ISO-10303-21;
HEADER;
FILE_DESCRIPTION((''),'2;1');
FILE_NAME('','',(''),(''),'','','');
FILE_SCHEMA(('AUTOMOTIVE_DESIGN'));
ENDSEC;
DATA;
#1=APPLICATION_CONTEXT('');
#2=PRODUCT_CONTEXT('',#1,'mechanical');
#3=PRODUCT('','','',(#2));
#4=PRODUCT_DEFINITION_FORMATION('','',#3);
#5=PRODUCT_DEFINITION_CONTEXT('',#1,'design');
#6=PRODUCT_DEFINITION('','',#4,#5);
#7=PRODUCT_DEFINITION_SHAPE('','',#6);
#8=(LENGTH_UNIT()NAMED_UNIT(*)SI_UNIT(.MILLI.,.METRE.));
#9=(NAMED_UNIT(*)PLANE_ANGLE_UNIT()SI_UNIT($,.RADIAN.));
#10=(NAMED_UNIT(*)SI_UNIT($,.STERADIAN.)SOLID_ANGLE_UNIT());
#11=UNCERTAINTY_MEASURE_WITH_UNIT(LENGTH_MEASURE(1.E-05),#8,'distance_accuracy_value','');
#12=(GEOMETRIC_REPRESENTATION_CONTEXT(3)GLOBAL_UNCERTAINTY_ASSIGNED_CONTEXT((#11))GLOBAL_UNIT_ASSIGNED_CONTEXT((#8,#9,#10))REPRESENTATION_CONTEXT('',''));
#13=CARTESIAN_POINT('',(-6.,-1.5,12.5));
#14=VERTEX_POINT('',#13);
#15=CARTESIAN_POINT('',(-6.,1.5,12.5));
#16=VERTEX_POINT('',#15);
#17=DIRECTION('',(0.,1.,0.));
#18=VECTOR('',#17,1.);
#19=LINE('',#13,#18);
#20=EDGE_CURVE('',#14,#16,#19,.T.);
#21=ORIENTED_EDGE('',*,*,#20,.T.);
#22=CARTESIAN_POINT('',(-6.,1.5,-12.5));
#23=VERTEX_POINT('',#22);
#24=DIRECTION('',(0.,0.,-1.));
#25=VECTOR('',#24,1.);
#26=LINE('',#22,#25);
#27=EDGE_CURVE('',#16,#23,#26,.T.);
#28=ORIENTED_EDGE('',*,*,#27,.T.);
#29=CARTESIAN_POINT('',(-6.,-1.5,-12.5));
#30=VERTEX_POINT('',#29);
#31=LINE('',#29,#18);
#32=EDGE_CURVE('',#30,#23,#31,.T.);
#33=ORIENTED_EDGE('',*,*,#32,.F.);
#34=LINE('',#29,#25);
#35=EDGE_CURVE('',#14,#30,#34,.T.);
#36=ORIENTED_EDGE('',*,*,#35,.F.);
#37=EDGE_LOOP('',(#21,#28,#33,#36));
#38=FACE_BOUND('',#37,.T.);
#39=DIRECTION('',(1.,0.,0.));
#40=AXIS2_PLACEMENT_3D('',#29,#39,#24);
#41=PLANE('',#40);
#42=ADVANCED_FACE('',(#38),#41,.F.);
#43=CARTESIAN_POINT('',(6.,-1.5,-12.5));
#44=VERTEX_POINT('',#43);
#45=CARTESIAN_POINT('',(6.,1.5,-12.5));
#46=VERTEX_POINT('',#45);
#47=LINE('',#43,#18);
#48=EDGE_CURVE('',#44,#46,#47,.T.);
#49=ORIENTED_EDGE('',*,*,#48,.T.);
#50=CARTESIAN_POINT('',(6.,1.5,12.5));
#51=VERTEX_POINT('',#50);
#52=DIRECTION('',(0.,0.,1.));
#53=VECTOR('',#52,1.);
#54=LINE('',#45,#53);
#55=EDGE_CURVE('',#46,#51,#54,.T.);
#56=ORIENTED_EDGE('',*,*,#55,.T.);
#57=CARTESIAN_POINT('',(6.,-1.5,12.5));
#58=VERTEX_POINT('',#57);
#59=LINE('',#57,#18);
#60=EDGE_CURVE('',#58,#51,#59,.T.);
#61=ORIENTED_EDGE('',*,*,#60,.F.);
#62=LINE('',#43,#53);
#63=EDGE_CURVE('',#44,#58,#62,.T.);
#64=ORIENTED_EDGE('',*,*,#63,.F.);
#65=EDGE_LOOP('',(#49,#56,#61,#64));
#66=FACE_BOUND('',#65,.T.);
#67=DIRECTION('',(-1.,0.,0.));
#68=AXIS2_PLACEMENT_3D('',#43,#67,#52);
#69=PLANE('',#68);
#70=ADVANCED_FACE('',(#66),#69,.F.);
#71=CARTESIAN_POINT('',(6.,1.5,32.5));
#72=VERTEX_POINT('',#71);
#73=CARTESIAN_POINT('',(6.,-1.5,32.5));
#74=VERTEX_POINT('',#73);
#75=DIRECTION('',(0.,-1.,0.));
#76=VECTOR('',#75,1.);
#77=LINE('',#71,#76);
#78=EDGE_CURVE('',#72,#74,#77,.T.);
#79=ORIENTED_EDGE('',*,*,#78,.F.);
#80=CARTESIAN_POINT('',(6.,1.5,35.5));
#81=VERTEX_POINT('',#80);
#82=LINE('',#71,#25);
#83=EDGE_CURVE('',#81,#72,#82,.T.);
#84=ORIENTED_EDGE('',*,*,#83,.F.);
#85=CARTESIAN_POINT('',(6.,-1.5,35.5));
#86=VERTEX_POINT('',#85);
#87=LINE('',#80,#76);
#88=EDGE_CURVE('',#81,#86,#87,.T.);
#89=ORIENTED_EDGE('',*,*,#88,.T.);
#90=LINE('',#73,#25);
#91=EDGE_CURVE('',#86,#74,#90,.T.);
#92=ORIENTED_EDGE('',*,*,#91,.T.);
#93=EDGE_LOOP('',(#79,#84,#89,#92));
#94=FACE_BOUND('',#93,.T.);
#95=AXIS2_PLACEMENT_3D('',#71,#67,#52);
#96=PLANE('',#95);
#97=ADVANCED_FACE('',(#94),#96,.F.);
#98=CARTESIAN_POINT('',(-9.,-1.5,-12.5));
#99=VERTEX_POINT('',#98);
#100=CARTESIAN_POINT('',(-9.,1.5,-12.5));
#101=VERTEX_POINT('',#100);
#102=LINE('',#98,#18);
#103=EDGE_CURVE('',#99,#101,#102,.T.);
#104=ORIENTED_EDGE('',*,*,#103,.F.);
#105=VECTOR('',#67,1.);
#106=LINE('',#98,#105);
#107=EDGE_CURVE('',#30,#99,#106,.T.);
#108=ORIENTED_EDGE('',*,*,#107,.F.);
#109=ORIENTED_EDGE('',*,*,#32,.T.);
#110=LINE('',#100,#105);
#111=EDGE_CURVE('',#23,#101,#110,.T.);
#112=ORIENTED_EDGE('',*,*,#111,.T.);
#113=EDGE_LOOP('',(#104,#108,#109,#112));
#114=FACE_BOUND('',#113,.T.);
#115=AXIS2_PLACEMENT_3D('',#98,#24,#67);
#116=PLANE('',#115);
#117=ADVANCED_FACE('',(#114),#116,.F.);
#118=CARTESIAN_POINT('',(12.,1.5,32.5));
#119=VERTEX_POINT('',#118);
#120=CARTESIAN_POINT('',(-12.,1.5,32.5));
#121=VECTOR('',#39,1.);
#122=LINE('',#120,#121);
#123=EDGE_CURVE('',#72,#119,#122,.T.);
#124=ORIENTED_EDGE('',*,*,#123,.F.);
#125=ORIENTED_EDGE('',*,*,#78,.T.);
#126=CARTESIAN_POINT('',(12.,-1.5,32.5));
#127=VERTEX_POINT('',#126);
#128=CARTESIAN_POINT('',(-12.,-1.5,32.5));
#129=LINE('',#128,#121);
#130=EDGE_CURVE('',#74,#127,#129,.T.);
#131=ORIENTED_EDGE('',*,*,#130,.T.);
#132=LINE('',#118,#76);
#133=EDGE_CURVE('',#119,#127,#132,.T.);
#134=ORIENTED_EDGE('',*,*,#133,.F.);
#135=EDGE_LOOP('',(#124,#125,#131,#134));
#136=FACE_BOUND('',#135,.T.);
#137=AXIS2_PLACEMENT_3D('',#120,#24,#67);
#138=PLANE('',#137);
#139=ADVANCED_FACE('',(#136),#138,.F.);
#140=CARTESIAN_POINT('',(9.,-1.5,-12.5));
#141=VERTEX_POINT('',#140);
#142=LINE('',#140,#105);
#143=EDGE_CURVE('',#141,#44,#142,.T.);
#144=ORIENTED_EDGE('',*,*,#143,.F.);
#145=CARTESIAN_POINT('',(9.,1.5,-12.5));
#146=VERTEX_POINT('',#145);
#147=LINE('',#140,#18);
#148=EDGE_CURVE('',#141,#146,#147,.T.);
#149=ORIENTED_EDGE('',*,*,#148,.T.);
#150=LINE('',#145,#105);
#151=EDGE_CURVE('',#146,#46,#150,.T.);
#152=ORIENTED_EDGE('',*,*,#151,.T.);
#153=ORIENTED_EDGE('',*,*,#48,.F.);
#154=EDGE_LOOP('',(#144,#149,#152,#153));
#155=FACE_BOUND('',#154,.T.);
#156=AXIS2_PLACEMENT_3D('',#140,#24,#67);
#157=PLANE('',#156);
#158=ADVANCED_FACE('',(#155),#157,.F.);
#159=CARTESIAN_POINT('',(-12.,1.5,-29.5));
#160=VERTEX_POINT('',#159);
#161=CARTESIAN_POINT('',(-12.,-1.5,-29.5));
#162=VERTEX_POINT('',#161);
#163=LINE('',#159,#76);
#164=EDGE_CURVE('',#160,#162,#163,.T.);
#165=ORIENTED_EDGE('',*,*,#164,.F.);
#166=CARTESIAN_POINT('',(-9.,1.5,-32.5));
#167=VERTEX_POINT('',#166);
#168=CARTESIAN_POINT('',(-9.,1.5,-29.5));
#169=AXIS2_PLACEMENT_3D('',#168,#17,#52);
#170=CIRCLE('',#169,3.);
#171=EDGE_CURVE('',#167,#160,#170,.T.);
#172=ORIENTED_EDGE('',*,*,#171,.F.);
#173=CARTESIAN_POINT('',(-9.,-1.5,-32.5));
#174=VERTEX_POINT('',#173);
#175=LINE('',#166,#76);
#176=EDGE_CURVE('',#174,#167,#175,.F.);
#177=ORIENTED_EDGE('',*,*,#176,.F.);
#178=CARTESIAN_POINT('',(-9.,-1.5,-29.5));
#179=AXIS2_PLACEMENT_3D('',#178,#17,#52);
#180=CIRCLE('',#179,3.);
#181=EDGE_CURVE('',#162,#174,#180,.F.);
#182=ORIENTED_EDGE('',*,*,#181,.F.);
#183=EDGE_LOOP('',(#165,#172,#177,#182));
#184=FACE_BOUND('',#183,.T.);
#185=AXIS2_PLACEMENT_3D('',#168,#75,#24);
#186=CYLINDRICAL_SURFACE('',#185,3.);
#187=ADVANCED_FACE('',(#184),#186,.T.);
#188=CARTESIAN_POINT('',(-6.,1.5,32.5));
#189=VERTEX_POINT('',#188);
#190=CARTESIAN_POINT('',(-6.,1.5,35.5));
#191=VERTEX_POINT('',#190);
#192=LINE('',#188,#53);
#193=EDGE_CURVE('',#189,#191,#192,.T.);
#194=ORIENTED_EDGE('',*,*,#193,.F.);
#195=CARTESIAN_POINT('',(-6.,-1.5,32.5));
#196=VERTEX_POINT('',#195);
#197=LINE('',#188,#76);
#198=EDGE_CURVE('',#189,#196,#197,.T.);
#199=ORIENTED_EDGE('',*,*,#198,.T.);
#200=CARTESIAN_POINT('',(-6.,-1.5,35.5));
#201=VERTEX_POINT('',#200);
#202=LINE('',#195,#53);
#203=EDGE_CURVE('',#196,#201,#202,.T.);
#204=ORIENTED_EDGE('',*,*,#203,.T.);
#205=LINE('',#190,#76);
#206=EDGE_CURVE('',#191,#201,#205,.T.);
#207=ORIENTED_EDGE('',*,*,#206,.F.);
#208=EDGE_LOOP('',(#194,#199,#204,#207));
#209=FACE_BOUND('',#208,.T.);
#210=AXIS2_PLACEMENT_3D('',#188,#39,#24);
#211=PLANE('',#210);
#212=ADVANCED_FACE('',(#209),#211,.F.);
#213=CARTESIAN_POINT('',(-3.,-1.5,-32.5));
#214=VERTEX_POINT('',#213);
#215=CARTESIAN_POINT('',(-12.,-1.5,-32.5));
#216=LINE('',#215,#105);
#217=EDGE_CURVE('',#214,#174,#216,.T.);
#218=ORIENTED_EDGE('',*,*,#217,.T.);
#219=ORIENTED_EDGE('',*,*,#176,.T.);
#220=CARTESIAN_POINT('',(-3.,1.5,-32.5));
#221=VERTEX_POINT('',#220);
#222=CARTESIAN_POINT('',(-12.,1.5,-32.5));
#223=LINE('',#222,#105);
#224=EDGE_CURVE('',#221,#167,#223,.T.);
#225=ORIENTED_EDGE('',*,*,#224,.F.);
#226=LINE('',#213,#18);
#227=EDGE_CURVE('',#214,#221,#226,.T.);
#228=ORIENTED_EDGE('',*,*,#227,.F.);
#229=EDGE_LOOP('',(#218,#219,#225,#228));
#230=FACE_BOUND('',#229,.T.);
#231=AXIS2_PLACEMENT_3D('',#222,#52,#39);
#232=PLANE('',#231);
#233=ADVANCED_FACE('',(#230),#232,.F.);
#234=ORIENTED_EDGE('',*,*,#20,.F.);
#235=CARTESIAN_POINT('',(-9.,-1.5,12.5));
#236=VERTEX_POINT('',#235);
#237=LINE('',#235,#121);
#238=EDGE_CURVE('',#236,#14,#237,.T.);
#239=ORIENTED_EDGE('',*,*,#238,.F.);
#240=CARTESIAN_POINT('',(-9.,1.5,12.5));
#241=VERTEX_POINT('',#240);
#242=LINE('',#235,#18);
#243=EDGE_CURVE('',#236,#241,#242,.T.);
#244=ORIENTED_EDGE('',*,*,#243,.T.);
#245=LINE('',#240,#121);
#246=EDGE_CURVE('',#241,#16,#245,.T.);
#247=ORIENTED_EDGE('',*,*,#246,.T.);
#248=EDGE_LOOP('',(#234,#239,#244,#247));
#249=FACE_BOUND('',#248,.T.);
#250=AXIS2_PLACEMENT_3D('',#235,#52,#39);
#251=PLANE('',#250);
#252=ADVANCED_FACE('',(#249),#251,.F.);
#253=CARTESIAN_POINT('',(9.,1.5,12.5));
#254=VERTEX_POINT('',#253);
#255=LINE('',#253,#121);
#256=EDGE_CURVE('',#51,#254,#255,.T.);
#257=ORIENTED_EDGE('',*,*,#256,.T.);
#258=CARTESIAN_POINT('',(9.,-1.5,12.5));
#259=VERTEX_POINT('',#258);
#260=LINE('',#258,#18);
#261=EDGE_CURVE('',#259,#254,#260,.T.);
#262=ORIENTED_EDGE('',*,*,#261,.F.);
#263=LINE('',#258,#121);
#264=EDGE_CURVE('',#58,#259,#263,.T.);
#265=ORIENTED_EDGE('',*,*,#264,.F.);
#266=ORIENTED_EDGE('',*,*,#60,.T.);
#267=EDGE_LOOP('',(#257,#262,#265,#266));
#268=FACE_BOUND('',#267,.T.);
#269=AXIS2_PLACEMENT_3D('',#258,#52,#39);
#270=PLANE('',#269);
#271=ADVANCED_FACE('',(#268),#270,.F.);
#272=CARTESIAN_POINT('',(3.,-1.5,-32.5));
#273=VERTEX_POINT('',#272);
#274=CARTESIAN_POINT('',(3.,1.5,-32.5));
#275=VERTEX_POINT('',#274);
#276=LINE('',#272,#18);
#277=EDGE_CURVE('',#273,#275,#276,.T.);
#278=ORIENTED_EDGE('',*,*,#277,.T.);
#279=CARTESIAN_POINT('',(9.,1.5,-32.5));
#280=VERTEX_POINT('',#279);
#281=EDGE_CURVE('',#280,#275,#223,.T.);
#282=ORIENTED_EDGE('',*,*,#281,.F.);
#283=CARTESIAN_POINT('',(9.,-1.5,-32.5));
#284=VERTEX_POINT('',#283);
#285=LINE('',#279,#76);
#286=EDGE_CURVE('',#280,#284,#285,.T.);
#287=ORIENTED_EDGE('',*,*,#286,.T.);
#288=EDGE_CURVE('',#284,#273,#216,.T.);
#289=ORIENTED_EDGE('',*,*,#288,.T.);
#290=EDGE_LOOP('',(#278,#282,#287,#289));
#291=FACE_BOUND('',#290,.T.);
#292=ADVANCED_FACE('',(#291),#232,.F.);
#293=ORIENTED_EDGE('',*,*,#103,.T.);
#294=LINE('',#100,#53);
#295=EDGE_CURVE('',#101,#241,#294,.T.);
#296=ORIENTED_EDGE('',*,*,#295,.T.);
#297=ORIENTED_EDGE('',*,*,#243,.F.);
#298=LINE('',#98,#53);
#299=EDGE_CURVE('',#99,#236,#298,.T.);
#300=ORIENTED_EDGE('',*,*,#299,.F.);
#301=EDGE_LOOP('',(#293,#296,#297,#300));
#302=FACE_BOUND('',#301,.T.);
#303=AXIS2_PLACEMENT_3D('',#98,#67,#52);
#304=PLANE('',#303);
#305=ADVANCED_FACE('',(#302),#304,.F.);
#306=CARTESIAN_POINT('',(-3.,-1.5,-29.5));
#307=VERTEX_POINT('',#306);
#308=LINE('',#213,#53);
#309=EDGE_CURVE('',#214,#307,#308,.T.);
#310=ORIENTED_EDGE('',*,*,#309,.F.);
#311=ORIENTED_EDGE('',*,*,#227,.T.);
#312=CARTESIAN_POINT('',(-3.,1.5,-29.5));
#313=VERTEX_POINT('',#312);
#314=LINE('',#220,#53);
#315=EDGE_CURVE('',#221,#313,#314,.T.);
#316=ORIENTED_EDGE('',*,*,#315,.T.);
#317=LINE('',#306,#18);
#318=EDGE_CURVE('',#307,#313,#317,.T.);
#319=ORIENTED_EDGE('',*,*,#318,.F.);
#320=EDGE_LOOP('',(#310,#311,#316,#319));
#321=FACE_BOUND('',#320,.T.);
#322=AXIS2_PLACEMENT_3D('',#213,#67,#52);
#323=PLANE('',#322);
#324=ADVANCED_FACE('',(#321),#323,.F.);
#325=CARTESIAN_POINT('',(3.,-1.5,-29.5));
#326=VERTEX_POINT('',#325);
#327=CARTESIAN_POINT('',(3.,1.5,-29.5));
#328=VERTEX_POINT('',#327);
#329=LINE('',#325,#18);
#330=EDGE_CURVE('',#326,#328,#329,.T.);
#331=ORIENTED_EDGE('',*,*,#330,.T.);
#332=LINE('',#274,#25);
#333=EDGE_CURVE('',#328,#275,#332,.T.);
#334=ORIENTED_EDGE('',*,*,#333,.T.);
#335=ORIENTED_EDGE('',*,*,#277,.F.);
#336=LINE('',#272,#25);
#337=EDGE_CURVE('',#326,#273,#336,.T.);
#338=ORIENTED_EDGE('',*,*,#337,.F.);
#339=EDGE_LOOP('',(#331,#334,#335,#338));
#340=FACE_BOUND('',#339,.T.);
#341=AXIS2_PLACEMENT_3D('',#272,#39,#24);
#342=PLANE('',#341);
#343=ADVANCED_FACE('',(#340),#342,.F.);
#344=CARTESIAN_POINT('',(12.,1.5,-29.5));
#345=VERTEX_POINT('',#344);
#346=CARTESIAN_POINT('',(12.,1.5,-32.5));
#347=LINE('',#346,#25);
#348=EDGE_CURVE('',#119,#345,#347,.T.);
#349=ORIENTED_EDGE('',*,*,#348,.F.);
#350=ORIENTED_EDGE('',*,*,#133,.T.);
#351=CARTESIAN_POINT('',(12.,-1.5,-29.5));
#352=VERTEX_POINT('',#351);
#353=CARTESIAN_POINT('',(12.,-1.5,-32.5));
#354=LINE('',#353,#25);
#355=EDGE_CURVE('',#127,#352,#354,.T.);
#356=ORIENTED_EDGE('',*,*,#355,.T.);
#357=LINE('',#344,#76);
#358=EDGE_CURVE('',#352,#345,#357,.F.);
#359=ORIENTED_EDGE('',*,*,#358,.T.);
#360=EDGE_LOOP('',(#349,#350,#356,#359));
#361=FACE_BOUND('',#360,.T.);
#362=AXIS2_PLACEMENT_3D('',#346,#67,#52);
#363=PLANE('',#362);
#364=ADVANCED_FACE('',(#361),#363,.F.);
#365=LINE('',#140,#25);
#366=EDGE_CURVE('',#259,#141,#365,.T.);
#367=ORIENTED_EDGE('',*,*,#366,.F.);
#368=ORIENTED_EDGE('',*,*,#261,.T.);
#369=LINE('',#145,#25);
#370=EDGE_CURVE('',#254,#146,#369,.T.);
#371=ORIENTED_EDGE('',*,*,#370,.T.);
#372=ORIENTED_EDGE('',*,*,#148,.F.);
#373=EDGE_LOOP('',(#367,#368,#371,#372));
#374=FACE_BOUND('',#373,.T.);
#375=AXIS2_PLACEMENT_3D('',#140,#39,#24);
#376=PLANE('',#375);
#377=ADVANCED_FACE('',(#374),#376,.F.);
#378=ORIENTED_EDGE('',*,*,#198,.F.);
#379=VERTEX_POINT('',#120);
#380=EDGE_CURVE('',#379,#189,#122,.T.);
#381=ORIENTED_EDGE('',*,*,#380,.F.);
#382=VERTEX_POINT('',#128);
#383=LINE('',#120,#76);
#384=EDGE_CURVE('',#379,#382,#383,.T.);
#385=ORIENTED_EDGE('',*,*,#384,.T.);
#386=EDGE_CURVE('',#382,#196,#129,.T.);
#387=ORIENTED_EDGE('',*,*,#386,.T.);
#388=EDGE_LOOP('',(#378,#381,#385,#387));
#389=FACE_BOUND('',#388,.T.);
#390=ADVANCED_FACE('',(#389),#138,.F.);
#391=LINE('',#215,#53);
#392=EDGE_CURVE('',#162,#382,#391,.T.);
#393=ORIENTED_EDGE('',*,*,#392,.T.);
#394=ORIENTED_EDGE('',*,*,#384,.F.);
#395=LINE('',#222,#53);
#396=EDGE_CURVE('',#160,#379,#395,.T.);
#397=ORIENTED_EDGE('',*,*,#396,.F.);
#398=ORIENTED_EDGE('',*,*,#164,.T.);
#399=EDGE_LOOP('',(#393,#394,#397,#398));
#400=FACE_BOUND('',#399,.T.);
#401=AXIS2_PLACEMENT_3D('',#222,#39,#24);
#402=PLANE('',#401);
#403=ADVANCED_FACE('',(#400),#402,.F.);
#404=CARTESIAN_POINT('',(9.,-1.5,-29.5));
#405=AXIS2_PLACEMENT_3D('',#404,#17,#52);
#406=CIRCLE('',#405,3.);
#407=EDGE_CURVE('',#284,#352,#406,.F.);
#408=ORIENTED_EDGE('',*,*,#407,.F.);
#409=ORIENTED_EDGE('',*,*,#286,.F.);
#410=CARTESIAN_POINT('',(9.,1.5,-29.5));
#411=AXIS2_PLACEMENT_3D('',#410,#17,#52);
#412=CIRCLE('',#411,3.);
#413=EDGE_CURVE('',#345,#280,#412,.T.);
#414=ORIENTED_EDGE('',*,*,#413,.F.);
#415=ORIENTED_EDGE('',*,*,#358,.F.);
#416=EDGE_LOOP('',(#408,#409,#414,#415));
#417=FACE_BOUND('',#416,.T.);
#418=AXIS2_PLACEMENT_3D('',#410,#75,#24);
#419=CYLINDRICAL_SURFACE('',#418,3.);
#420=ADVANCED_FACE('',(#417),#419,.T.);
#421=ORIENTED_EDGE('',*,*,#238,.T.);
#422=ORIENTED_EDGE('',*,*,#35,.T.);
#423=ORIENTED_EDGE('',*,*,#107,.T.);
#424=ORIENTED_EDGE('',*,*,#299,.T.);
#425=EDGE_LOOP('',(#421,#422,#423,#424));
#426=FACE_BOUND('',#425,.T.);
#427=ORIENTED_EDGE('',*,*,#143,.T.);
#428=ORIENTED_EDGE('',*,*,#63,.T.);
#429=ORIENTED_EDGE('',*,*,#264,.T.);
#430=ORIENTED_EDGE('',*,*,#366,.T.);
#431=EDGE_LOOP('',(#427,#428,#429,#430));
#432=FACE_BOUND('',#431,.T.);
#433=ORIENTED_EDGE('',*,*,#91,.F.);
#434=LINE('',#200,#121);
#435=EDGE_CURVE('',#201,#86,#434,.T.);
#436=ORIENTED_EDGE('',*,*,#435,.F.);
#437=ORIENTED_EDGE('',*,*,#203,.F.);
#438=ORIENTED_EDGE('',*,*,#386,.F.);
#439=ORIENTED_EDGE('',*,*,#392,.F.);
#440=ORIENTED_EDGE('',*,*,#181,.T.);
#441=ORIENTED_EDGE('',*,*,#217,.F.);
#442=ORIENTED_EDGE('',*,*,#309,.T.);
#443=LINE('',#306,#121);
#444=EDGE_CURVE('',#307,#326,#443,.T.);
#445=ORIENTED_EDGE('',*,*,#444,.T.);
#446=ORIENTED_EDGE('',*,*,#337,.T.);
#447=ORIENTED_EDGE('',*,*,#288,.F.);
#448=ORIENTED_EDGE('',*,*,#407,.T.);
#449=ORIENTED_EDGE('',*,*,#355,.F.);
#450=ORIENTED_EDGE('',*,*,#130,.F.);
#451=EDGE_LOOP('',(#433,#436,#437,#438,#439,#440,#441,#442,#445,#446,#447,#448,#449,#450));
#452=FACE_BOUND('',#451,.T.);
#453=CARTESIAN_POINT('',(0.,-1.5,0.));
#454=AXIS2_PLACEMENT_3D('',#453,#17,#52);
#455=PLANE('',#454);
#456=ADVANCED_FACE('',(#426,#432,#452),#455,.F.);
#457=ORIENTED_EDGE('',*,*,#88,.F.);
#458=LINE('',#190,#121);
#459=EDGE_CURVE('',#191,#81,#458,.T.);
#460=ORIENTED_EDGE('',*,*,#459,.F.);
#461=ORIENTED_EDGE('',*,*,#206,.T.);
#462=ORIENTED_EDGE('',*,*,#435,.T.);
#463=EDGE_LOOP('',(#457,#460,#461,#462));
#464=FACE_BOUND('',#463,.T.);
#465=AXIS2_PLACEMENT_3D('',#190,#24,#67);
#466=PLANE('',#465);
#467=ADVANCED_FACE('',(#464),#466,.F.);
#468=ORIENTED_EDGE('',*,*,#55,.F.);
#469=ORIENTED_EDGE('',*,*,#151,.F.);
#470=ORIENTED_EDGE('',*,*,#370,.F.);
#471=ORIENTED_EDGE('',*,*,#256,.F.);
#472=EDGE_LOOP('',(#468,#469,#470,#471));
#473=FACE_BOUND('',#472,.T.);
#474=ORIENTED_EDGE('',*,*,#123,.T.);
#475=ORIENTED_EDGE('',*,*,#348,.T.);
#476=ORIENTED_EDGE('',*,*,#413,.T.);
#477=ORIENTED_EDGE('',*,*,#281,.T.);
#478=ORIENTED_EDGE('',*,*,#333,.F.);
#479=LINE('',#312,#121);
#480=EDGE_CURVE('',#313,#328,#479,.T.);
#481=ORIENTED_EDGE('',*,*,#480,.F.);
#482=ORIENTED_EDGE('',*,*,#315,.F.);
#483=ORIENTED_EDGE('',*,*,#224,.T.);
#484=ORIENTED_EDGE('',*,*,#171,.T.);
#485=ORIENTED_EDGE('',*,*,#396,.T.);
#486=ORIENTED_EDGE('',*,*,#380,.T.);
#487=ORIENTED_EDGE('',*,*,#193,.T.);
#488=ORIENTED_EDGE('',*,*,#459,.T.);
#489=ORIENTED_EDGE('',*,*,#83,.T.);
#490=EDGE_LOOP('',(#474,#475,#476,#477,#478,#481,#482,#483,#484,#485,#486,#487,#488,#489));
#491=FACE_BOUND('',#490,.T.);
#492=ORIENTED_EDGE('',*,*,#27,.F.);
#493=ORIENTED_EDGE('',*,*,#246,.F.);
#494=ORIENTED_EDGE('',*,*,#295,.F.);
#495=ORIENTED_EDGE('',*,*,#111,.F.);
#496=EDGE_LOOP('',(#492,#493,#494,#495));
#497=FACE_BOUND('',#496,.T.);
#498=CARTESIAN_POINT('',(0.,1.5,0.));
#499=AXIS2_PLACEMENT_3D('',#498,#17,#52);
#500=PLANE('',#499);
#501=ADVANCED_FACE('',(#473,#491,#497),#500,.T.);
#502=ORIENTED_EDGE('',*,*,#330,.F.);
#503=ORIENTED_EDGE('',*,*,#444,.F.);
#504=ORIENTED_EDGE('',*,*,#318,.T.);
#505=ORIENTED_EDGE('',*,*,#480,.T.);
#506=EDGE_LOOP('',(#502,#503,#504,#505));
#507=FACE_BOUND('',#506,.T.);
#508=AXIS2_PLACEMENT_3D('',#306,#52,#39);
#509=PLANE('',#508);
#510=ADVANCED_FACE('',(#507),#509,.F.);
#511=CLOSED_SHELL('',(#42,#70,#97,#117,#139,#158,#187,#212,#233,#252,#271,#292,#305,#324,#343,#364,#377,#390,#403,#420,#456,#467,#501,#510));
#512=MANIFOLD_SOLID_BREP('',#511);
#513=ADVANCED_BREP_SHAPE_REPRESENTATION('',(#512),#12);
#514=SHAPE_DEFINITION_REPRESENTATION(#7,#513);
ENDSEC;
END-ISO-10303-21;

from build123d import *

# Parameters (mm, degrees)
SKETCH1_W               = 24
SKETCH1_H               = 65
BOSS_EXTRUDE1_DEPTH     = 1.5
SKETCH2_W               = 12
SKETCH2_H               = 3
BOSS_EXTRUDE2_DEPTH     = 1.5
SKETCH4_W               = 3
SKETCH4_H               = 25
CUT_EXTRUDE1_DEPTH      = 2.5
CUT_EXTRUDE1_DEPTH_BACK = 2.5
FILLET1_R               = 3
SKETCH5_W               = 6
SKETCH5_H               = 3
CUT_EXTRUDE2_DEPTH      = 2.5
CUT_EXTRUDE2_DEPTH_BACK = 2.5


with BuildPart() as part:
    # Sketch1 → Boss-Extrude1 (new body, symmetric)
    with BuildSketch(Plane(origin=(0, 0, 0), x_dir=(1, 0, 0), z_dir=(0, 1, 0))):
        Rectangle(SKETCH1_W, SKETCH1_H)
    extrude(amount=BOSS_EXTRUDE1_DEPTH, both=True)

    # Sketch2 → Boss-Extrude2 (add, symmetric)
    with BuildSketch(Plane(origin=(0, 0, 0), x_dir=(1, 0, 0), z_dir=(0, 1, 0))):
        with Locations((0, -34)):
            Rectangle(SKETCH2_W, SKETCH2_H)
    extrude(amount=BOSS_EXTRUDE2_DEPTH, both=True)

    # Sketch4 → Cut-Extrude1 (cut, two sides)
    with BuildSketch(Plane(origin=(0, 0, 0), x_dir=(1, 0, 0), z_dir=(0, 1, 0))) as cut_extrude1_sk:
        with Locations((-7.5, 0)):
            Rectangle(SKETCH4_W, SKETCH4_H)
        with Locations((7.5, 0)):
            Rectangle(SKETCH4_W, SKETCH4_H)
    extrude(amount=CUT_EXTRUDE1_DEPTH, mode=Mode.SUBTRACT)
    extrude(cut_extrude1_sk.sketch, amount=-CUT_EXTRUDE1_DEPTH_BACK, mode=Mode.SUBTRACT)

    # Fillet1
    fillet1_edges = [part.edges().sort_by_distance(p)[0] for p in [
        (-12, 0, -32.5),
        (12, 0, -32.5),
    ]]
    fillet(fillet1_edges, radius=FILLET1_R)

    # Sketch5 → Cut-Extrude2 (cut, two sides)
    with BuildSketch(Plane(origin=(0, 0, 0), x_dir=(1, 0, 0), z_dir=(0, 1, 0))) as cut_extrude2_sk:
        with Locations((0, 31)):
            Rectangle(SKETCH5_W, SKETCH5_H)
    extrude(amount=CUT_EXTRUDE2_DEPTH, mode=Mode.SUBTRACT)
    extrude(cut_extrude2_sk.sketch, amount=-CUT_EXTRUDE2_DEPTH_BACK, mode=Mode.SUBTRACT)


solid = part.part
